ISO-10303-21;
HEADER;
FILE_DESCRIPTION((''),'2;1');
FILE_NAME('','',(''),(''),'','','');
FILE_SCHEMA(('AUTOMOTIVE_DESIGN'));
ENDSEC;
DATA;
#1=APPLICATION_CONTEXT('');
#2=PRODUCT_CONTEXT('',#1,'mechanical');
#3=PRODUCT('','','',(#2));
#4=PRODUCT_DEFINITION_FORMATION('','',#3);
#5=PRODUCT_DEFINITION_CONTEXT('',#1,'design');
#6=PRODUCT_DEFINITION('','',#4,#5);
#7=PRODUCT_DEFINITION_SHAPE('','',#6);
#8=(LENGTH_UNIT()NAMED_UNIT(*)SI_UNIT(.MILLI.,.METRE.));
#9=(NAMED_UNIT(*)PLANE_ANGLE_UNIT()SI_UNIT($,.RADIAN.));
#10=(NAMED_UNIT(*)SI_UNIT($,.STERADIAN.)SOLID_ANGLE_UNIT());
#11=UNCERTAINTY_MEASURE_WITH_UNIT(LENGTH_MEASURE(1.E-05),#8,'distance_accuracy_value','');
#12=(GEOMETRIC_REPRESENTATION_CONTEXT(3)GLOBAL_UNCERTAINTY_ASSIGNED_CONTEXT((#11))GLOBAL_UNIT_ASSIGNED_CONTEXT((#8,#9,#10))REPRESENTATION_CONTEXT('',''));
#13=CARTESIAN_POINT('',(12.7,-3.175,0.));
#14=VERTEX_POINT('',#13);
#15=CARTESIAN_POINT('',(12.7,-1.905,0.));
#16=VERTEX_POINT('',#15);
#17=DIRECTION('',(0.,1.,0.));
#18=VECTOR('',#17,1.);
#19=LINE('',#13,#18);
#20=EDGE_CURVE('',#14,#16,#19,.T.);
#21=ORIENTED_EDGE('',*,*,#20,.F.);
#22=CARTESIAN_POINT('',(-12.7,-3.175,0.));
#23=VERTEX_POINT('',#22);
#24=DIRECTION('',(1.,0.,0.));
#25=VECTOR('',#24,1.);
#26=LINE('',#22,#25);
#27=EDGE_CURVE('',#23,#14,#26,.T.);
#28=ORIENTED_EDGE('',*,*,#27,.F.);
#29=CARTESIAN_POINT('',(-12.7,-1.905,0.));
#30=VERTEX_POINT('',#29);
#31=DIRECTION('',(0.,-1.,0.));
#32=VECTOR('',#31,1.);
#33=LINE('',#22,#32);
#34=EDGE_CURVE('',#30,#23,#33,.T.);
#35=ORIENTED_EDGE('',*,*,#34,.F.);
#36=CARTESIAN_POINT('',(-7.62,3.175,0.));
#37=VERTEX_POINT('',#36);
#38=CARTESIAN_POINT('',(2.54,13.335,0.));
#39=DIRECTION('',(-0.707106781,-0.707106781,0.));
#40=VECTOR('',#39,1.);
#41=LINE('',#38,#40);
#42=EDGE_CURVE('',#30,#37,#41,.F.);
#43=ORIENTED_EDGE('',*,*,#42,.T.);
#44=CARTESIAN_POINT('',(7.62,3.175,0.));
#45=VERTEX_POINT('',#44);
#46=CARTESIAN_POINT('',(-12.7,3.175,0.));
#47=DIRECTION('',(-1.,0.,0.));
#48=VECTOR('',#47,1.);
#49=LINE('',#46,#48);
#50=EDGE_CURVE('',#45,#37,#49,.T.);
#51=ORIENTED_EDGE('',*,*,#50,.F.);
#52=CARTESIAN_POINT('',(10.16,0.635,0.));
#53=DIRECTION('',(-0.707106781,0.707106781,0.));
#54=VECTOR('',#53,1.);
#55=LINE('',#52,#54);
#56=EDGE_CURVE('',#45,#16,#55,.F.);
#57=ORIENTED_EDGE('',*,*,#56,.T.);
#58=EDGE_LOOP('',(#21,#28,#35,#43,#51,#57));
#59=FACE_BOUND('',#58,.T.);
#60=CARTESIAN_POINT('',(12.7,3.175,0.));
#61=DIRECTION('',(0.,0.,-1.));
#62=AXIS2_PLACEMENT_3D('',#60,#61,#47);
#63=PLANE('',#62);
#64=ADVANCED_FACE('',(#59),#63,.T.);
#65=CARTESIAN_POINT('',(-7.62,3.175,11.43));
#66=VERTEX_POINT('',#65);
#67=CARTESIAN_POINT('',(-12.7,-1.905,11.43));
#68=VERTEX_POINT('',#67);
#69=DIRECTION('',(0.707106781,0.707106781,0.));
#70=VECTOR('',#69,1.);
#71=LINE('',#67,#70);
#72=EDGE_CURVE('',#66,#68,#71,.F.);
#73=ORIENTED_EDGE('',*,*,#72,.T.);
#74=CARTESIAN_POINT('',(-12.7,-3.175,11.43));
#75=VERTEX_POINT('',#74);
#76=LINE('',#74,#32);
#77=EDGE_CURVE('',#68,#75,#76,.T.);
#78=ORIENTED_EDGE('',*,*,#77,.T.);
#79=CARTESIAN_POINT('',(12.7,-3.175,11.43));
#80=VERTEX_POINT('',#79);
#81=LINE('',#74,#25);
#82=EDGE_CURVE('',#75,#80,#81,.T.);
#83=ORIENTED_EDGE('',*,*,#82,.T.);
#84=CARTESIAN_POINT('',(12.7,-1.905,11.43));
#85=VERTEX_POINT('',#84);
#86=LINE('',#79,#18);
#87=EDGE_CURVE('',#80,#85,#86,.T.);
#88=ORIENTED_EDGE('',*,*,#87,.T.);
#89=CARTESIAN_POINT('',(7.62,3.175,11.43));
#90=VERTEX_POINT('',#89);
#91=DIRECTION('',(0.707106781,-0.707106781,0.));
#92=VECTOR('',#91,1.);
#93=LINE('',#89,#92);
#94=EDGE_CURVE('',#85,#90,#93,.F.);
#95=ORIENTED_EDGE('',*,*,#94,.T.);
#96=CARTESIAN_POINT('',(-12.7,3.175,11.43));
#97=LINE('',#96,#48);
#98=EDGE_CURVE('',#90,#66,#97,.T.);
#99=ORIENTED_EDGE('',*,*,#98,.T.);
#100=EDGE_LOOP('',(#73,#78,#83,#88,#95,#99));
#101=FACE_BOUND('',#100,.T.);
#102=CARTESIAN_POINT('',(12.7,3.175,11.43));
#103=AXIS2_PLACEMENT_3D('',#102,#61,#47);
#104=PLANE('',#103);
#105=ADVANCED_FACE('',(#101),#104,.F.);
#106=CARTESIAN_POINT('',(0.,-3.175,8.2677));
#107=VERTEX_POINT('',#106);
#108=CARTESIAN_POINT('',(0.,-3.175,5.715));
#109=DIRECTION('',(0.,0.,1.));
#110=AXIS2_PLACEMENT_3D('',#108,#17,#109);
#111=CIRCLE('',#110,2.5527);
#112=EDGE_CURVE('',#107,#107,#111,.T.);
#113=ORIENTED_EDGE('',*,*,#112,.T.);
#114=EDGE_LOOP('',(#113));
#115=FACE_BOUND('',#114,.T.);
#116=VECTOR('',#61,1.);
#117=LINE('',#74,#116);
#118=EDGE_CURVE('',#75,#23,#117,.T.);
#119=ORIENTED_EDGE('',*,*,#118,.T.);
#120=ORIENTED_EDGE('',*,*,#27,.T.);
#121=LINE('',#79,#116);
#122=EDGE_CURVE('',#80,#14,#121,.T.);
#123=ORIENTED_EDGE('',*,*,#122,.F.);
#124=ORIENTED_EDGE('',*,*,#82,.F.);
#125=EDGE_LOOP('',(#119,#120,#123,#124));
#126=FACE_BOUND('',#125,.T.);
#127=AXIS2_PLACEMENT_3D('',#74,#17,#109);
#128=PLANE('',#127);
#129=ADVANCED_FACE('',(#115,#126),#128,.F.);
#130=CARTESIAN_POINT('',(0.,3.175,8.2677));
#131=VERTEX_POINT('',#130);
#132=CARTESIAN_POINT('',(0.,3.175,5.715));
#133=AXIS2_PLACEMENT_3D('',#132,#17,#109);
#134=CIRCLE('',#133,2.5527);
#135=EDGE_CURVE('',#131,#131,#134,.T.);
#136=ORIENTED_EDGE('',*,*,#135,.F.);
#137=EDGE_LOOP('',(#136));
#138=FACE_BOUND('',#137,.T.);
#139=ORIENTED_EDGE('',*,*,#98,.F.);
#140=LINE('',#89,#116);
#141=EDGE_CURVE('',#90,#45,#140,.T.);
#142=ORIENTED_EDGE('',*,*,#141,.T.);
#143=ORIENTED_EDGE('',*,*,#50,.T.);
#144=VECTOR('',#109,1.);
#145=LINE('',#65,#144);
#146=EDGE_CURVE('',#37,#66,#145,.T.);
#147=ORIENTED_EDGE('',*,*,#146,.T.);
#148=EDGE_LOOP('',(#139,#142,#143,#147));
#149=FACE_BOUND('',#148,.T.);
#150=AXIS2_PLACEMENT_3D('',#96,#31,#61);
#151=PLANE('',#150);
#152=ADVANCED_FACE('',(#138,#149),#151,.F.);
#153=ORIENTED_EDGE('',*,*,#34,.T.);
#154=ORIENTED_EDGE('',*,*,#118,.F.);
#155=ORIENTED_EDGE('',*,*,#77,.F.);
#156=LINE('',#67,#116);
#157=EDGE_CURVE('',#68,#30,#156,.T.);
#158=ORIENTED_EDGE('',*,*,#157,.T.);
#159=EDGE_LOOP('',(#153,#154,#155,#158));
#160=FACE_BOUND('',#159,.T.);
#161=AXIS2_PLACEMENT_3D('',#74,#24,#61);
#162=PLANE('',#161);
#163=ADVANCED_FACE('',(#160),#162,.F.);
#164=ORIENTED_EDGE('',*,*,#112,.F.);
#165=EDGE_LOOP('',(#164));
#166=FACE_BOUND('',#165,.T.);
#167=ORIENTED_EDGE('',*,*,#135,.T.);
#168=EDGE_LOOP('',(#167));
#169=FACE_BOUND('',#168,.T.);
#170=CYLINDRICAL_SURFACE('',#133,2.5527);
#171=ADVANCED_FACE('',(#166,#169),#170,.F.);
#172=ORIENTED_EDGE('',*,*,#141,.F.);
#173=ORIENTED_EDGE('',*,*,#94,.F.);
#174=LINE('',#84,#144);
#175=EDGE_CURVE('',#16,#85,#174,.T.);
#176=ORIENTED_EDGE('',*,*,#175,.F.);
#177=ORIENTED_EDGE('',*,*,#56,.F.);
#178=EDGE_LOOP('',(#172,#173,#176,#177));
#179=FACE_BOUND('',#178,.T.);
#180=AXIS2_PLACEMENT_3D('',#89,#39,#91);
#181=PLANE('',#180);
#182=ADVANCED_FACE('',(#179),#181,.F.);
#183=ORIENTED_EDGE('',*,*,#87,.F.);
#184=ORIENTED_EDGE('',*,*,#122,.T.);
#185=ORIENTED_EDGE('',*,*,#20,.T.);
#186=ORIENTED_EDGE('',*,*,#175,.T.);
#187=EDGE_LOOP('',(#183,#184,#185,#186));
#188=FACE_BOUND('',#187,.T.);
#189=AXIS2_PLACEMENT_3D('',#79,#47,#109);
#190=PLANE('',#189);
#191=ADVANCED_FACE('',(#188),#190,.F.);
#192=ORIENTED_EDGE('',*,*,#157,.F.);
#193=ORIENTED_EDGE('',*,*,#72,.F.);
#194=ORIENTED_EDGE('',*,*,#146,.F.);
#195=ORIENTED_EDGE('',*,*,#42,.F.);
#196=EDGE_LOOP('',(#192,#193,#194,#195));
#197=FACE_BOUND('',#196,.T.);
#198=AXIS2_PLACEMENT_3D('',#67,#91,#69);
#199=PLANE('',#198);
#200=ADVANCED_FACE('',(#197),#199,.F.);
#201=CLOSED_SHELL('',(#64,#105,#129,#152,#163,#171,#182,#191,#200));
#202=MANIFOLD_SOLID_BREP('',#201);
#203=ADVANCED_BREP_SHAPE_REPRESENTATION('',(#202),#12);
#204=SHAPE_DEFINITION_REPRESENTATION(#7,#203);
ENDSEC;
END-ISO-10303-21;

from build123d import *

# Parameters (mm, degrees)
SKETCH1_W               = 25.4
SKETCH1_H               = 6.35
BOSS_EXTRUDE1_DEPTH     = 11.43
CHAMFER2_SIZE           = 5.08
F_1_4_20_TAPPED_HOLE1_D = 5.1054


with BuildPart() as part:
    # Sketch1 → Boss-Extrude1 (new body)
    with BuildSketch(Plane.XY):
        Rectangle(SKETCH1_W, SKETCH1_H)
    extrude(amount=BOSS_EXTRUDE1_DEPTH)

    # Chamfer2
    chamfer2_edges = [part.edges().sort_by_distance(p)[0] for p in [
        (-12.7, 3.175, 5.715),
        (12.7, 3.175, 5.715),
    ]]
    chamfer(chamfer2_edges, length=CHAMFER2_SIZE)

    # 1/4-20 Tapped Hole1 (through all)
    with Locations(Plane(origin=(0, 3.175, 0), x_dir=(-1, 0, 0), z_dir=(0, 1, 0))):
        with Locations((0, 5.715)):
            Hole(F_1_4_20_TAPPED_HOLE1_D / 2)


solid = part.part
